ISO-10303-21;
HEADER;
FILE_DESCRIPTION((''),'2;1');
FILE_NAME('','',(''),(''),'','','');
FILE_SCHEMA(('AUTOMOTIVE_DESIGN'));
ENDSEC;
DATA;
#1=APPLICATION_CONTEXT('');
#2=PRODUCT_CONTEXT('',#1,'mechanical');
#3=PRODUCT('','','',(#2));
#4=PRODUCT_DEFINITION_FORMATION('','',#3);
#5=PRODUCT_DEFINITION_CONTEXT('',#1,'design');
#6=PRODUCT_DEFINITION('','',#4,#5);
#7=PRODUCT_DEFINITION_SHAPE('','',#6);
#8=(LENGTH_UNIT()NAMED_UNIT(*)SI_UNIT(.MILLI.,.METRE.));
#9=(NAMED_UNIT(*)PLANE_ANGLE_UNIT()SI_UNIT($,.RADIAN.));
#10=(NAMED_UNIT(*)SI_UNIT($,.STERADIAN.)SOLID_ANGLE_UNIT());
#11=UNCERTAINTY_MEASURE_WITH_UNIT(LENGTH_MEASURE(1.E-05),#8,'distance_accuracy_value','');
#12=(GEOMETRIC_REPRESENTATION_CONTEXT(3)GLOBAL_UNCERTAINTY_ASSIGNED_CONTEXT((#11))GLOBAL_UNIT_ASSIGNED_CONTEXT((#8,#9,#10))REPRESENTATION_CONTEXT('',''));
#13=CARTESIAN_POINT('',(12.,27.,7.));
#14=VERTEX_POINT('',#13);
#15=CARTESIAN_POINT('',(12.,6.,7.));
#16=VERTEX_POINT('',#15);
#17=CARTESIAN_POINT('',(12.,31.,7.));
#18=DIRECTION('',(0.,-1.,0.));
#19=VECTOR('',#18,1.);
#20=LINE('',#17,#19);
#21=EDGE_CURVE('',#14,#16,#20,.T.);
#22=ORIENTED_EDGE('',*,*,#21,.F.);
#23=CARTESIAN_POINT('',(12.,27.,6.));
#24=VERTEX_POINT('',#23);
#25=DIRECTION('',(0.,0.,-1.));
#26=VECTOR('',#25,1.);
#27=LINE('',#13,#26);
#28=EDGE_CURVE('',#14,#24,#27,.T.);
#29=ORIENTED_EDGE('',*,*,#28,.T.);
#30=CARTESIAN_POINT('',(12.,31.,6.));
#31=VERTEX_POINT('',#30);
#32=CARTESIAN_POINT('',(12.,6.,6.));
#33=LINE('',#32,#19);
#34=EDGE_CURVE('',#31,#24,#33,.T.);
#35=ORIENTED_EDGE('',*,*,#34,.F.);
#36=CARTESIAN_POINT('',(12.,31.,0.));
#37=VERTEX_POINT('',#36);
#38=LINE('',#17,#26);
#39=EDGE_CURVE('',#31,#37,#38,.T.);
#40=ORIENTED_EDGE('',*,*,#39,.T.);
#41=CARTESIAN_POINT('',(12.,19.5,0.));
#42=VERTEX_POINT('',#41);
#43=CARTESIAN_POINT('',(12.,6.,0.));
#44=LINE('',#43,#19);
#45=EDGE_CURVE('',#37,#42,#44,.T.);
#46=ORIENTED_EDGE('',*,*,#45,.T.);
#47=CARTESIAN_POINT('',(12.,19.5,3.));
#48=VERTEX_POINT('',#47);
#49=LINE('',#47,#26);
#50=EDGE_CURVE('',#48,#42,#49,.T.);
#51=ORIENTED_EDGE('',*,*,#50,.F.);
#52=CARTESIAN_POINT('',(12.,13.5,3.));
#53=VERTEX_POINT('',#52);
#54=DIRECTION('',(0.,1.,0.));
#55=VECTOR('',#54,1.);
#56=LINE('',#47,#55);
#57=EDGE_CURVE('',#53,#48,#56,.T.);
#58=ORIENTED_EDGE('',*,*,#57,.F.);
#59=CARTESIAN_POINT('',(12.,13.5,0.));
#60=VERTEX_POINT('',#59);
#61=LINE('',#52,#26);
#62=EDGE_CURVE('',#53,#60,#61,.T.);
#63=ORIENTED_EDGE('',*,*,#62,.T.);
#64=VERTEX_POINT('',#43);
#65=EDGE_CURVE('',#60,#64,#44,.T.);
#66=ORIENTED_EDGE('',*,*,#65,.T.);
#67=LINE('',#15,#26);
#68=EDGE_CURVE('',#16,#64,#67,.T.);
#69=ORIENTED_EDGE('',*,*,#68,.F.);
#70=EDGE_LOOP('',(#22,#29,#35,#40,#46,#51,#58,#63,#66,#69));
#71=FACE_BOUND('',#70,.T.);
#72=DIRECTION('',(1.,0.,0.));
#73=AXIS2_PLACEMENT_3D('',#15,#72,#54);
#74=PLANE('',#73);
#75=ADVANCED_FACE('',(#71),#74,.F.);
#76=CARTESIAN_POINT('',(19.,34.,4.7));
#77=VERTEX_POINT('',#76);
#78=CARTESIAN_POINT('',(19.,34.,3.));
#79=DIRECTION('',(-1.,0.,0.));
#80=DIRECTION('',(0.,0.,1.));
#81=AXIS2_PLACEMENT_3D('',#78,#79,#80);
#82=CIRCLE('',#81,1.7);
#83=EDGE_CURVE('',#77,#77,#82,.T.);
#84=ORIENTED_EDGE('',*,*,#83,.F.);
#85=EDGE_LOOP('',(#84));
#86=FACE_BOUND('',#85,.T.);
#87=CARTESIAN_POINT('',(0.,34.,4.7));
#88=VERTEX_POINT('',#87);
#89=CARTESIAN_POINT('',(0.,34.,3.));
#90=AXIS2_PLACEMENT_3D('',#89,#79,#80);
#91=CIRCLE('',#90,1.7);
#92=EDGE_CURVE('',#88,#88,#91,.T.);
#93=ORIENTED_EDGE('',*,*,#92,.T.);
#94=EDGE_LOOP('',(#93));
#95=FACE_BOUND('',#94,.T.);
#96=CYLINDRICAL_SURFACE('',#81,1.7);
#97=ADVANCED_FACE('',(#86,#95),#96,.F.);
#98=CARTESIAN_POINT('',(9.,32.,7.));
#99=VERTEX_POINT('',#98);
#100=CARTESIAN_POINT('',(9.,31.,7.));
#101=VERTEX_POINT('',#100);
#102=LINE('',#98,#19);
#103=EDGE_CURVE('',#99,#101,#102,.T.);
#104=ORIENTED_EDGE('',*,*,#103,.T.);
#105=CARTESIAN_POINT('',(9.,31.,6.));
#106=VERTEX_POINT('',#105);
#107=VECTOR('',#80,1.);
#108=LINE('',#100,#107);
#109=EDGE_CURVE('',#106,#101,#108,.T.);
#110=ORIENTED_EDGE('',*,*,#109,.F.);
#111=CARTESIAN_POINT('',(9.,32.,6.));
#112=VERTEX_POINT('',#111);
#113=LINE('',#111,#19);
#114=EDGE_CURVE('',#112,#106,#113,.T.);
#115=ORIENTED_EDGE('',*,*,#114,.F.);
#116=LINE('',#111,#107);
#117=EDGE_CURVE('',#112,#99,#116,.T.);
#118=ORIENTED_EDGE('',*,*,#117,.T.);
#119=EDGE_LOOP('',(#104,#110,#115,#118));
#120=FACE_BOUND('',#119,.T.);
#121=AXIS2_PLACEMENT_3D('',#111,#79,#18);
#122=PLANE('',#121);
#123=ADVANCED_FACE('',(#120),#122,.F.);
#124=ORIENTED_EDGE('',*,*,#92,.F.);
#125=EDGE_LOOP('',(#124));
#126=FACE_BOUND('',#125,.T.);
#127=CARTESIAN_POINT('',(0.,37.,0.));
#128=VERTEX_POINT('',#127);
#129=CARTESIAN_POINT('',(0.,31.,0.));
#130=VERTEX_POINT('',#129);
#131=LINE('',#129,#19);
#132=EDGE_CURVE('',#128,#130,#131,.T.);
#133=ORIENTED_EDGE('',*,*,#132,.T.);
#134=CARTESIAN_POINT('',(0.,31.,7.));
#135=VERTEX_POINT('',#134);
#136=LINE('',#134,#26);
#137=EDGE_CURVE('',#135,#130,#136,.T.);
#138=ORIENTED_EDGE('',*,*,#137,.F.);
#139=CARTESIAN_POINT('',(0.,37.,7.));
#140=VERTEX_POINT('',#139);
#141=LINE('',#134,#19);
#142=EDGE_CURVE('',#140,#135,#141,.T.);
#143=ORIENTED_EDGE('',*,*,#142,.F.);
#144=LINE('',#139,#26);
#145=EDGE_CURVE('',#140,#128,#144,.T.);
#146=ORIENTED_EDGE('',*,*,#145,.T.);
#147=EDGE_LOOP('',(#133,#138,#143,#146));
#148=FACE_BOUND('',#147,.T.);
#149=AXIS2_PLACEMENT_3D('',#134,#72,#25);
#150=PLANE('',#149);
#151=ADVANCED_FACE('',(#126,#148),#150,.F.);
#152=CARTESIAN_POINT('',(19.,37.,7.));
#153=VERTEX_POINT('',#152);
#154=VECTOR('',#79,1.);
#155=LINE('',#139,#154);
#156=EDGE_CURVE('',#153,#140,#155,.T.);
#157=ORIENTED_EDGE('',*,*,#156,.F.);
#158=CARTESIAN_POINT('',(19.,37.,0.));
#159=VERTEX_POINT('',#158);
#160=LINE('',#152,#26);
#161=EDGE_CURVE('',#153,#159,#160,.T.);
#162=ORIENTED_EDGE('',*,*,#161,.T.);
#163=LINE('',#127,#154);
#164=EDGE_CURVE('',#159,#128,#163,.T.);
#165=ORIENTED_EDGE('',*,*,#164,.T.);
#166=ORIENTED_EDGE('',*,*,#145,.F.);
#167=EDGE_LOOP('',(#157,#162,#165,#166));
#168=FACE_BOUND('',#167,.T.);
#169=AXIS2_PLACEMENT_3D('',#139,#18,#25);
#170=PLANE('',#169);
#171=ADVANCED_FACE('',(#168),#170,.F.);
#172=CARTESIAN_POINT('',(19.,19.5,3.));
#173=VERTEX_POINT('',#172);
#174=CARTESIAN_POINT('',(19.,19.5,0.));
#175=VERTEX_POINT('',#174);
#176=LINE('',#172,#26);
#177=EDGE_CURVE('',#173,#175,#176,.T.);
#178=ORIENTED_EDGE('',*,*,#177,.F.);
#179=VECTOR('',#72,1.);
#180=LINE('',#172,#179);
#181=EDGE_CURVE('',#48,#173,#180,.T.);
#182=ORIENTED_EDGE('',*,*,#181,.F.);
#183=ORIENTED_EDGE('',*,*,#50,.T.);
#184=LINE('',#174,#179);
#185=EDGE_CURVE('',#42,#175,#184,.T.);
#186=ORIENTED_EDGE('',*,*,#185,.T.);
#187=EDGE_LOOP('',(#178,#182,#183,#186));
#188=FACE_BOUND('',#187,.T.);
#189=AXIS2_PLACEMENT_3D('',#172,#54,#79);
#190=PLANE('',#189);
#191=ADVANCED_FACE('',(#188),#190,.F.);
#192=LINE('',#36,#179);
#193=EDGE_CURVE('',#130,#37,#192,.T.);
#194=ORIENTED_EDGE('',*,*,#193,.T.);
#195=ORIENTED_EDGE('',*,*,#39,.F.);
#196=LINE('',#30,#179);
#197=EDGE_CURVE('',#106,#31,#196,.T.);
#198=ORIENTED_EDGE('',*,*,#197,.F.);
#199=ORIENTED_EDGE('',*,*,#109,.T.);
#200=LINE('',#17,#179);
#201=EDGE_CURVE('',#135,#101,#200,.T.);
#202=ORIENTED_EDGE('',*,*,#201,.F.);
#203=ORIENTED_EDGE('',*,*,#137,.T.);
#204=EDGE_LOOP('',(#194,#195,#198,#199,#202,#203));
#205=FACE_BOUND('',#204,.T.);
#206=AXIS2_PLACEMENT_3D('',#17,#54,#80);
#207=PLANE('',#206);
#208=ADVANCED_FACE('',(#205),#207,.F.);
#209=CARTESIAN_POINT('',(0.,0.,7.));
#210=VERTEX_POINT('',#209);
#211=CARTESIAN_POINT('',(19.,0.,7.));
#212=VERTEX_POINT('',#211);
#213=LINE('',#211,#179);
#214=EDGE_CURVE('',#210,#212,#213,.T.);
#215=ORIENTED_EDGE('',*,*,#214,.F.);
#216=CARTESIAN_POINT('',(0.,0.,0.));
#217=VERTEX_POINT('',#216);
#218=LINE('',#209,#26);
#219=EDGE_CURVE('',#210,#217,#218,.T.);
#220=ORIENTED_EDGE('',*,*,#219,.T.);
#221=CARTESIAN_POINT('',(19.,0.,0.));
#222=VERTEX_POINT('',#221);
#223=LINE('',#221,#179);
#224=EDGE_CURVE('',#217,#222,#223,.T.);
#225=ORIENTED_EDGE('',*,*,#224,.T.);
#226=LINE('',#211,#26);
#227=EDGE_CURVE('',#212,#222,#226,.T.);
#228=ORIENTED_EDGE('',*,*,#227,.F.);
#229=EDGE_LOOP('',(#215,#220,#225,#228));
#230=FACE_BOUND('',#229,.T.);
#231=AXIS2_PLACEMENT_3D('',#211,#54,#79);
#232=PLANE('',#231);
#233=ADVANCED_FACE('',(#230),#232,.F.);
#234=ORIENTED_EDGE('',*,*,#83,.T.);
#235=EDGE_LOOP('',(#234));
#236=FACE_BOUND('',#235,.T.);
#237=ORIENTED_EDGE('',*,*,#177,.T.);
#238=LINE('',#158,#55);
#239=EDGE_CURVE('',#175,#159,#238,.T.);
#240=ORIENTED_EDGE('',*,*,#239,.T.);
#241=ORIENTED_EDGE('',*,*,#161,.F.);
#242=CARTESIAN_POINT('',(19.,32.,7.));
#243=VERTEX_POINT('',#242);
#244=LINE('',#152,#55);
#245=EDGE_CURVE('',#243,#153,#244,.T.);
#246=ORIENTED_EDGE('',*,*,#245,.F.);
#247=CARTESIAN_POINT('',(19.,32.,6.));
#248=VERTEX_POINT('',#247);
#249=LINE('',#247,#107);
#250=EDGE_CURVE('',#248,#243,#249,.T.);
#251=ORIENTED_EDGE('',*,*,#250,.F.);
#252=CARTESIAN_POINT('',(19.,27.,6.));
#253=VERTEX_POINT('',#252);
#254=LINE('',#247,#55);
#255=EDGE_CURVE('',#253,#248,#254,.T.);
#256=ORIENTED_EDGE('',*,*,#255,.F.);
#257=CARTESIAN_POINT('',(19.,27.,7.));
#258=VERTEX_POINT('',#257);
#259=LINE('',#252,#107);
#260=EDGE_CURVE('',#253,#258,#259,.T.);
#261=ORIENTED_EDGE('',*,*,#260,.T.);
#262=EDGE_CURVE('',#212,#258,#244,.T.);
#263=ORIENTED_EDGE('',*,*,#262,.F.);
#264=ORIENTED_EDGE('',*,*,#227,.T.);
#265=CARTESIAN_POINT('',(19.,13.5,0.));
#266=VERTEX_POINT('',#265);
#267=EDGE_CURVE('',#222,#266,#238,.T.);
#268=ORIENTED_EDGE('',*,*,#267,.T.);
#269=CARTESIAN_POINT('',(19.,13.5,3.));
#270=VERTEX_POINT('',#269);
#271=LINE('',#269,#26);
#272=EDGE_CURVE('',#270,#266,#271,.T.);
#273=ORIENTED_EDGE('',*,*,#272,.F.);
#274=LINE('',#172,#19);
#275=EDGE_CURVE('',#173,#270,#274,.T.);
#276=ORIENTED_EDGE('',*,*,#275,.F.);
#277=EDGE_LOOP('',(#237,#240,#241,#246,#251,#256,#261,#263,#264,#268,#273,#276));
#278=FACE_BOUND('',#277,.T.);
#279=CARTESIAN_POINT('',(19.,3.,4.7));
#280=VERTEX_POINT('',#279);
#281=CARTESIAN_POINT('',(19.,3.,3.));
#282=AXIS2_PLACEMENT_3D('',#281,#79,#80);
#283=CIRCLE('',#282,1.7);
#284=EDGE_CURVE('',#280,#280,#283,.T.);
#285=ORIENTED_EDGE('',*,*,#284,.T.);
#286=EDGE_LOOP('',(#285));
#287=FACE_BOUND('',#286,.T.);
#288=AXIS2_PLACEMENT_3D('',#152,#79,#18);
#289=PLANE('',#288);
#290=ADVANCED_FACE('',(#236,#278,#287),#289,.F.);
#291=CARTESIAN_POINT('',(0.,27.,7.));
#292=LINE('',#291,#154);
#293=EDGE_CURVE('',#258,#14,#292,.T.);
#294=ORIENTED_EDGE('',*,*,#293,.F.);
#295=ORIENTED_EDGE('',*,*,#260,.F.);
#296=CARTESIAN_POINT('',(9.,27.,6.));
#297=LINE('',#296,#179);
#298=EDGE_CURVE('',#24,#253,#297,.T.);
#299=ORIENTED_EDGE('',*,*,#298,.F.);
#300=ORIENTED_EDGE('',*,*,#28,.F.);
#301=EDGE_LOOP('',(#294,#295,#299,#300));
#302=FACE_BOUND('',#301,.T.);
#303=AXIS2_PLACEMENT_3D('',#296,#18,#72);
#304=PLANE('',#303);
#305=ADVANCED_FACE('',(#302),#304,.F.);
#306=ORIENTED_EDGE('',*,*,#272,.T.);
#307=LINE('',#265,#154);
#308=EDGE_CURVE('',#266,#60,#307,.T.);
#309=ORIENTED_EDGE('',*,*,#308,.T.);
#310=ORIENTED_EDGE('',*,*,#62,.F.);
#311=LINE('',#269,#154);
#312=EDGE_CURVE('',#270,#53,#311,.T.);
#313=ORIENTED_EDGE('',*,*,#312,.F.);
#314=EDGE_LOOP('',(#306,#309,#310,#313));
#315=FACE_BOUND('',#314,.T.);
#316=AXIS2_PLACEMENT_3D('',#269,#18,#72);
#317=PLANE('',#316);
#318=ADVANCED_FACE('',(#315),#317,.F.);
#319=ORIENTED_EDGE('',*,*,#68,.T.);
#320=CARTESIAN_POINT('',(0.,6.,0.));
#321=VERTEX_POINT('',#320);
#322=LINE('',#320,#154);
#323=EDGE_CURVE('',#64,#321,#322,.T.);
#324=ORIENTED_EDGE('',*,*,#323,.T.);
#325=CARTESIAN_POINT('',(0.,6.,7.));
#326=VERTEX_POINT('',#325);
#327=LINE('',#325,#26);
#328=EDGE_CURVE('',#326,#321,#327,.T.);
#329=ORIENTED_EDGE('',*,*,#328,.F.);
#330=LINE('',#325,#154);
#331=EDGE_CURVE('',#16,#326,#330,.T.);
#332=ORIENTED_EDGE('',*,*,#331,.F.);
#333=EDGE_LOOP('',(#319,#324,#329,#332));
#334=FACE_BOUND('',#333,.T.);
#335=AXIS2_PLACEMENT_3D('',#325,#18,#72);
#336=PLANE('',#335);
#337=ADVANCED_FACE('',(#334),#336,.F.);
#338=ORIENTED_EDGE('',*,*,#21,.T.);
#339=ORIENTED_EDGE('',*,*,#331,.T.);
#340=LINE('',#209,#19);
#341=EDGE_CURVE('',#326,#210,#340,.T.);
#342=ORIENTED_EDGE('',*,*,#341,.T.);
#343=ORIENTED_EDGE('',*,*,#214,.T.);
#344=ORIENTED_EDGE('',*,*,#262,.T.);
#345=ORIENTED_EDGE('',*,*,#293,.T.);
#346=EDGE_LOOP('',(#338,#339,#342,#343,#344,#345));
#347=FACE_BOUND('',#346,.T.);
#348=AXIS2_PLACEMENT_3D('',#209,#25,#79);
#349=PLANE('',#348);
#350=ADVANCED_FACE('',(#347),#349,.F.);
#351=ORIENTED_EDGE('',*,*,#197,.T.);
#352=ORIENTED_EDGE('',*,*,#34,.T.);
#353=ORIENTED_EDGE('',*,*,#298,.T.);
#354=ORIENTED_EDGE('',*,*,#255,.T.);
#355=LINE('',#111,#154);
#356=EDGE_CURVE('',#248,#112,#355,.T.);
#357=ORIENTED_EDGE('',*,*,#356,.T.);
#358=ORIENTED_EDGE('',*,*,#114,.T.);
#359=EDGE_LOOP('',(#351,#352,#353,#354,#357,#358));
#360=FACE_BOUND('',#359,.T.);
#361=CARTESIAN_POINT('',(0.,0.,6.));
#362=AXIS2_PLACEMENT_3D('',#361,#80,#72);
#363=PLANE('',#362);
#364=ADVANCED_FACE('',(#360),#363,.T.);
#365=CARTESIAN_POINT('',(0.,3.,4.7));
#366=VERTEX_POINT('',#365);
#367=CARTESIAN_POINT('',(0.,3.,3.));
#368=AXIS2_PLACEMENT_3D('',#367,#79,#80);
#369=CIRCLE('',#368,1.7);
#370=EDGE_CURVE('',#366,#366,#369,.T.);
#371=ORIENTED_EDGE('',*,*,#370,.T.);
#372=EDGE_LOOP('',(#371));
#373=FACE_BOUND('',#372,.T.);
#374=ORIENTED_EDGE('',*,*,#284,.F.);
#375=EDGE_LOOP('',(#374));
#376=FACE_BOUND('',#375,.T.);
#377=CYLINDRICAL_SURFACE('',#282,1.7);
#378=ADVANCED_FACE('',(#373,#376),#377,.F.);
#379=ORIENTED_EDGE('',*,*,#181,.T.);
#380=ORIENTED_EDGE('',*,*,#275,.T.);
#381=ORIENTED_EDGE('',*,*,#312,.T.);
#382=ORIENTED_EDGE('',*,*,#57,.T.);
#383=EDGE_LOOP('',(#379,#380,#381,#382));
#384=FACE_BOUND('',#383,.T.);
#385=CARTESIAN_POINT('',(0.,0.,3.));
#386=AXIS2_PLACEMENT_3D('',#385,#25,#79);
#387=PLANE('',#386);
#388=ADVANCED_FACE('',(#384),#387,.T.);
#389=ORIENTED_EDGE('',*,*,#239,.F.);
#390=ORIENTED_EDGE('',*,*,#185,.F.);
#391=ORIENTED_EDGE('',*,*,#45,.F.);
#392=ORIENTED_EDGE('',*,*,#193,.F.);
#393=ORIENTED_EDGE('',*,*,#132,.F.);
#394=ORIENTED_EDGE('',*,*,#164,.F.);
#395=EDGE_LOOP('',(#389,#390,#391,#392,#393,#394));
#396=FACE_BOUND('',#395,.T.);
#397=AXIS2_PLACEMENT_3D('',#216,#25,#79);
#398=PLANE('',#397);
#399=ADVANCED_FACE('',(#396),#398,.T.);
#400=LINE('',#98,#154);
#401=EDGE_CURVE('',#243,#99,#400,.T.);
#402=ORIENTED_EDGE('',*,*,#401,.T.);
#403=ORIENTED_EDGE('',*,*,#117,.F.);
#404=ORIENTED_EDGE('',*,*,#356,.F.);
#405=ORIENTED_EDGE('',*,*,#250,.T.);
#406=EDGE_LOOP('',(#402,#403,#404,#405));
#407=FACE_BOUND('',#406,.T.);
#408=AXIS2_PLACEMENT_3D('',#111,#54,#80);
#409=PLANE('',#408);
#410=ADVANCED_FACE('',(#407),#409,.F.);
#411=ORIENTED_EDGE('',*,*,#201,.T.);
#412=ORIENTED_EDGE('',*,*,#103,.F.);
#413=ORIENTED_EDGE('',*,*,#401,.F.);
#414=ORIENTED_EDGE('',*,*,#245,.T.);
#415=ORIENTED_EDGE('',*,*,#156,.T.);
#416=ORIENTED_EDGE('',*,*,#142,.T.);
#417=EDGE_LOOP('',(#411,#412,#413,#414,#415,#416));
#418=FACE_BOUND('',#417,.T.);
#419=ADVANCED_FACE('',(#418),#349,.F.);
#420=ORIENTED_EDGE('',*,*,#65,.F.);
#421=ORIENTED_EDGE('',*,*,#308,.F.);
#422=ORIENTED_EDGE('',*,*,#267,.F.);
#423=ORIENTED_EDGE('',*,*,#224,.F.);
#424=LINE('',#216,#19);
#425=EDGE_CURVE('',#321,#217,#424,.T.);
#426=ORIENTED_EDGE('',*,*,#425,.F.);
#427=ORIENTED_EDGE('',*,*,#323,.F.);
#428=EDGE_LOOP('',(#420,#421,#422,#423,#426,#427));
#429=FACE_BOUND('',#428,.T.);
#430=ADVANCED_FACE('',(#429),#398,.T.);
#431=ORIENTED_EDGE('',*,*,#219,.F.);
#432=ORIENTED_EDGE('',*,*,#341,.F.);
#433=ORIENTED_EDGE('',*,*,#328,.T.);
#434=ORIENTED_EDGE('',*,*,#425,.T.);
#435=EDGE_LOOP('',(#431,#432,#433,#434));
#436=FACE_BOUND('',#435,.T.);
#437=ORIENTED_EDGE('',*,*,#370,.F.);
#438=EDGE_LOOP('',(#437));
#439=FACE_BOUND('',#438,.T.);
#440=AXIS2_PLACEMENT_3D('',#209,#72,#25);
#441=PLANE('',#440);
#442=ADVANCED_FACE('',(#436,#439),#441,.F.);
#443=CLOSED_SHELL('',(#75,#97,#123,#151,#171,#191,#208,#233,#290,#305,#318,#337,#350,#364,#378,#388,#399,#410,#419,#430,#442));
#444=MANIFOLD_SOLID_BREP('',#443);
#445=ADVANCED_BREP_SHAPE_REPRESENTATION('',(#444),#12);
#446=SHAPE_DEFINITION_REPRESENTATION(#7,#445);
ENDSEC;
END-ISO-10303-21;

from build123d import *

# Parameters (mm, degrees)
EXTRUDE_1_DEPTH     = 7
SKETCH_2_W          = 7
SKETCH_2_H          = 6
CUT_EXTRUDE_1_DEPTH = 3
SKETCH_3_R          = 1.7
CUT_EXTRUDE_2_DEPTH = 43.178193418
SKETCH_4_W          = 10
SKETCH_4_H          = 5
CUT_EXTRUDE_3_DEPTH = 1


with BuildPart() as part:
    # 草图1 → 凸台-拉伸1 (new body)
    with BuildSketch(Plane.XY):
        Polygon((0, 0), (0, 6), (12, 6), (12, 11), (12, 26), (12, 31), (0, 31), (0, 37), (19, 37), (19, 0), align=None)
    extrude(amount=EXTRUDE_1_DEPTH)

    # 草图2 → 切除-拉伸1 (cut)
    with BuildSketch(Plane(origin=(0, 0, 0), x_dir=(-1, 0, 0), z_dir=(0, 0, -1))):
        with Locations((-15.5, 16.5)):
            Rectangle(SKETCH_2_W, SKETCH_2_H)
    extrude(amount=-CUT_EXTRUDE_1_DEPTH, mode=Mode.SUBTRACT)

    # 草图3 → 切除-拉伸2 (cut, through all)
    with BuildSketch(Plane.ZY):
        with Locations((3, 34)):
            Circle(SKETCH_3_R)
        with Locations((3, 3)):
            Circle(SKETCH_3_R)
    extrude(amount=-CUT_EXTRUDE_2_DEPTH, mode=Mode.SUBTRACT)

    # 草图4 → 切除-拉伸3 (cut)
    with BuildSketch(Plane.XY.offset(7)):
        with Locations((14, 29.5)):
            Rectangle(SKETCH_4_W, SKETCH_4_H)
    extrude(amount=-CUT_EXTRUDE_3_DEPTH, mode=Mode.SUBTRACT)


solid = part.part
